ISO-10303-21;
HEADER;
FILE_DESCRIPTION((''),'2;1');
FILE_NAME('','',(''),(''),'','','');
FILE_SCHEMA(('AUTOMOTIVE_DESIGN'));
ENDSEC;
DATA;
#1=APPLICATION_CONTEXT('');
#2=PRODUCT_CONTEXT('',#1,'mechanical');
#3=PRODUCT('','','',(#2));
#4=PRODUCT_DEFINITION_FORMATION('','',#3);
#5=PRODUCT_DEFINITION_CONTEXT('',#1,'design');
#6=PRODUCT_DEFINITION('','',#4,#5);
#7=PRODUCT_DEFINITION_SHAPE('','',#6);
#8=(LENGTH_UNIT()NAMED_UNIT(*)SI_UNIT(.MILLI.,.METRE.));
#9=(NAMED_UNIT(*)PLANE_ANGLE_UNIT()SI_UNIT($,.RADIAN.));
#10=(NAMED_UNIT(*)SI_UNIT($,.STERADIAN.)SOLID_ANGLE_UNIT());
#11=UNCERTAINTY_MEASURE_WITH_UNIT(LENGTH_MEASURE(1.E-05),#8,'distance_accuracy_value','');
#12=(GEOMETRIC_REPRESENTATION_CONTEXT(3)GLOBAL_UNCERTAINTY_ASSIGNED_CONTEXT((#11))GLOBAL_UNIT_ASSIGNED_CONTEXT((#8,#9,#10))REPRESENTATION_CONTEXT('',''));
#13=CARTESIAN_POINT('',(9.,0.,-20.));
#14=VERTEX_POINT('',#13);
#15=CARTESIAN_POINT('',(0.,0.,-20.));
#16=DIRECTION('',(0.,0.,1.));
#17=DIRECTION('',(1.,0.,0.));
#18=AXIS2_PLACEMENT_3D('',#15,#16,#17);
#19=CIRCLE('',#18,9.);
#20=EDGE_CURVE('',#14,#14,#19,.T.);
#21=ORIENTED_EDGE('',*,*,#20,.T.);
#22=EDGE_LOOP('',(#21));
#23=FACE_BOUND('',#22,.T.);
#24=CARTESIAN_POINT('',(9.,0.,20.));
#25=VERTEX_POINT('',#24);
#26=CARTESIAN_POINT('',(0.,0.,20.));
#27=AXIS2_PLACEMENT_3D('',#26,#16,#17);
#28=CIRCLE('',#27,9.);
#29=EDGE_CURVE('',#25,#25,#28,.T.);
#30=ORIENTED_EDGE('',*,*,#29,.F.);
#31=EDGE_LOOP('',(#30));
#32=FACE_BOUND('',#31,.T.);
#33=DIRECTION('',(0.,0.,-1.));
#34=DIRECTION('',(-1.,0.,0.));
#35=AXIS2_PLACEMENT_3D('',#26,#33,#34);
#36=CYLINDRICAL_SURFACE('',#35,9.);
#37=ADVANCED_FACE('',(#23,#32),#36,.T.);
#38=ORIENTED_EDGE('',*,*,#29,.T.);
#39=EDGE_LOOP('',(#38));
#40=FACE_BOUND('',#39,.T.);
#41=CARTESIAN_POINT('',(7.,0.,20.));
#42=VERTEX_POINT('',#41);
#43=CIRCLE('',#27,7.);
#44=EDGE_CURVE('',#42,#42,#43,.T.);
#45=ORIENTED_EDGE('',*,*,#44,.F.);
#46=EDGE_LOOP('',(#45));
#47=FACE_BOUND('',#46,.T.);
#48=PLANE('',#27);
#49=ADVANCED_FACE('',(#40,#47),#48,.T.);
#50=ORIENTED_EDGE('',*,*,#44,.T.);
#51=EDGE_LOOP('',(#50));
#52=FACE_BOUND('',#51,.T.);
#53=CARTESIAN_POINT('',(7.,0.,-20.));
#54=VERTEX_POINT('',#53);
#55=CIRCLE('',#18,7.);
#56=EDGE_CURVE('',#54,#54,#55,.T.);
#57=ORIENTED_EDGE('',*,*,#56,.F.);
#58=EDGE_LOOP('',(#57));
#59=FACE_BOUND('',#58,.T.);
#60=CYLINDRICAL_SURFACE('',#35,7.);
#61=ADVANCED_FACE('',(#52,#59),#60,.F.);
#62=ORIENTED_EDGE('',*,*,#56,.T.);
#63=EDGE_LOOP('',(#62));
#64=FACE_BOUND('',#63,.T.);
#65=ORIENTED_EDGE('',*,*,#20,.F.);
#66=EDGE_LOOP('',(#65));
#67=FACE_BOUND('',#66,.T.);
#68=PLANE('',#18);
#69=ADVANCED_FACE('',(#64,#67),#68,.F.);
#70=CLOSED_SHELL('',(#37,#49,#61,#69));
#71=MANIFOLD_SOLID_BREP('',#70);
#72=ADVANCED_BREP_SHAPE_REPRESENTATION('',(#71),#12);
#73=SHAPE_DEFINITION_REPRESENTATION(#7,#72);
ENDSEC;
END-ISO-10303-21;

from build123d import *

# Parameters (mm, degrees)
SKETCH1_R           = 9
SKETCH1_R_2         = 7
BOSS_EXTRUDE1_DEPTH = 20


with BuildPart() as part:
    # Sketch1 → Boss-Extrude1 (new body, symmetric)
    with BuildSketch(Plane.XY):
        Circle(SKETCH1_R)
        Circle(SKETCH1_R_2, mode=Mode.SUBTRACT)
    extrude(amount=BOSS_EXTRUDE1_DEPTH, both=True)


solid = part.part
